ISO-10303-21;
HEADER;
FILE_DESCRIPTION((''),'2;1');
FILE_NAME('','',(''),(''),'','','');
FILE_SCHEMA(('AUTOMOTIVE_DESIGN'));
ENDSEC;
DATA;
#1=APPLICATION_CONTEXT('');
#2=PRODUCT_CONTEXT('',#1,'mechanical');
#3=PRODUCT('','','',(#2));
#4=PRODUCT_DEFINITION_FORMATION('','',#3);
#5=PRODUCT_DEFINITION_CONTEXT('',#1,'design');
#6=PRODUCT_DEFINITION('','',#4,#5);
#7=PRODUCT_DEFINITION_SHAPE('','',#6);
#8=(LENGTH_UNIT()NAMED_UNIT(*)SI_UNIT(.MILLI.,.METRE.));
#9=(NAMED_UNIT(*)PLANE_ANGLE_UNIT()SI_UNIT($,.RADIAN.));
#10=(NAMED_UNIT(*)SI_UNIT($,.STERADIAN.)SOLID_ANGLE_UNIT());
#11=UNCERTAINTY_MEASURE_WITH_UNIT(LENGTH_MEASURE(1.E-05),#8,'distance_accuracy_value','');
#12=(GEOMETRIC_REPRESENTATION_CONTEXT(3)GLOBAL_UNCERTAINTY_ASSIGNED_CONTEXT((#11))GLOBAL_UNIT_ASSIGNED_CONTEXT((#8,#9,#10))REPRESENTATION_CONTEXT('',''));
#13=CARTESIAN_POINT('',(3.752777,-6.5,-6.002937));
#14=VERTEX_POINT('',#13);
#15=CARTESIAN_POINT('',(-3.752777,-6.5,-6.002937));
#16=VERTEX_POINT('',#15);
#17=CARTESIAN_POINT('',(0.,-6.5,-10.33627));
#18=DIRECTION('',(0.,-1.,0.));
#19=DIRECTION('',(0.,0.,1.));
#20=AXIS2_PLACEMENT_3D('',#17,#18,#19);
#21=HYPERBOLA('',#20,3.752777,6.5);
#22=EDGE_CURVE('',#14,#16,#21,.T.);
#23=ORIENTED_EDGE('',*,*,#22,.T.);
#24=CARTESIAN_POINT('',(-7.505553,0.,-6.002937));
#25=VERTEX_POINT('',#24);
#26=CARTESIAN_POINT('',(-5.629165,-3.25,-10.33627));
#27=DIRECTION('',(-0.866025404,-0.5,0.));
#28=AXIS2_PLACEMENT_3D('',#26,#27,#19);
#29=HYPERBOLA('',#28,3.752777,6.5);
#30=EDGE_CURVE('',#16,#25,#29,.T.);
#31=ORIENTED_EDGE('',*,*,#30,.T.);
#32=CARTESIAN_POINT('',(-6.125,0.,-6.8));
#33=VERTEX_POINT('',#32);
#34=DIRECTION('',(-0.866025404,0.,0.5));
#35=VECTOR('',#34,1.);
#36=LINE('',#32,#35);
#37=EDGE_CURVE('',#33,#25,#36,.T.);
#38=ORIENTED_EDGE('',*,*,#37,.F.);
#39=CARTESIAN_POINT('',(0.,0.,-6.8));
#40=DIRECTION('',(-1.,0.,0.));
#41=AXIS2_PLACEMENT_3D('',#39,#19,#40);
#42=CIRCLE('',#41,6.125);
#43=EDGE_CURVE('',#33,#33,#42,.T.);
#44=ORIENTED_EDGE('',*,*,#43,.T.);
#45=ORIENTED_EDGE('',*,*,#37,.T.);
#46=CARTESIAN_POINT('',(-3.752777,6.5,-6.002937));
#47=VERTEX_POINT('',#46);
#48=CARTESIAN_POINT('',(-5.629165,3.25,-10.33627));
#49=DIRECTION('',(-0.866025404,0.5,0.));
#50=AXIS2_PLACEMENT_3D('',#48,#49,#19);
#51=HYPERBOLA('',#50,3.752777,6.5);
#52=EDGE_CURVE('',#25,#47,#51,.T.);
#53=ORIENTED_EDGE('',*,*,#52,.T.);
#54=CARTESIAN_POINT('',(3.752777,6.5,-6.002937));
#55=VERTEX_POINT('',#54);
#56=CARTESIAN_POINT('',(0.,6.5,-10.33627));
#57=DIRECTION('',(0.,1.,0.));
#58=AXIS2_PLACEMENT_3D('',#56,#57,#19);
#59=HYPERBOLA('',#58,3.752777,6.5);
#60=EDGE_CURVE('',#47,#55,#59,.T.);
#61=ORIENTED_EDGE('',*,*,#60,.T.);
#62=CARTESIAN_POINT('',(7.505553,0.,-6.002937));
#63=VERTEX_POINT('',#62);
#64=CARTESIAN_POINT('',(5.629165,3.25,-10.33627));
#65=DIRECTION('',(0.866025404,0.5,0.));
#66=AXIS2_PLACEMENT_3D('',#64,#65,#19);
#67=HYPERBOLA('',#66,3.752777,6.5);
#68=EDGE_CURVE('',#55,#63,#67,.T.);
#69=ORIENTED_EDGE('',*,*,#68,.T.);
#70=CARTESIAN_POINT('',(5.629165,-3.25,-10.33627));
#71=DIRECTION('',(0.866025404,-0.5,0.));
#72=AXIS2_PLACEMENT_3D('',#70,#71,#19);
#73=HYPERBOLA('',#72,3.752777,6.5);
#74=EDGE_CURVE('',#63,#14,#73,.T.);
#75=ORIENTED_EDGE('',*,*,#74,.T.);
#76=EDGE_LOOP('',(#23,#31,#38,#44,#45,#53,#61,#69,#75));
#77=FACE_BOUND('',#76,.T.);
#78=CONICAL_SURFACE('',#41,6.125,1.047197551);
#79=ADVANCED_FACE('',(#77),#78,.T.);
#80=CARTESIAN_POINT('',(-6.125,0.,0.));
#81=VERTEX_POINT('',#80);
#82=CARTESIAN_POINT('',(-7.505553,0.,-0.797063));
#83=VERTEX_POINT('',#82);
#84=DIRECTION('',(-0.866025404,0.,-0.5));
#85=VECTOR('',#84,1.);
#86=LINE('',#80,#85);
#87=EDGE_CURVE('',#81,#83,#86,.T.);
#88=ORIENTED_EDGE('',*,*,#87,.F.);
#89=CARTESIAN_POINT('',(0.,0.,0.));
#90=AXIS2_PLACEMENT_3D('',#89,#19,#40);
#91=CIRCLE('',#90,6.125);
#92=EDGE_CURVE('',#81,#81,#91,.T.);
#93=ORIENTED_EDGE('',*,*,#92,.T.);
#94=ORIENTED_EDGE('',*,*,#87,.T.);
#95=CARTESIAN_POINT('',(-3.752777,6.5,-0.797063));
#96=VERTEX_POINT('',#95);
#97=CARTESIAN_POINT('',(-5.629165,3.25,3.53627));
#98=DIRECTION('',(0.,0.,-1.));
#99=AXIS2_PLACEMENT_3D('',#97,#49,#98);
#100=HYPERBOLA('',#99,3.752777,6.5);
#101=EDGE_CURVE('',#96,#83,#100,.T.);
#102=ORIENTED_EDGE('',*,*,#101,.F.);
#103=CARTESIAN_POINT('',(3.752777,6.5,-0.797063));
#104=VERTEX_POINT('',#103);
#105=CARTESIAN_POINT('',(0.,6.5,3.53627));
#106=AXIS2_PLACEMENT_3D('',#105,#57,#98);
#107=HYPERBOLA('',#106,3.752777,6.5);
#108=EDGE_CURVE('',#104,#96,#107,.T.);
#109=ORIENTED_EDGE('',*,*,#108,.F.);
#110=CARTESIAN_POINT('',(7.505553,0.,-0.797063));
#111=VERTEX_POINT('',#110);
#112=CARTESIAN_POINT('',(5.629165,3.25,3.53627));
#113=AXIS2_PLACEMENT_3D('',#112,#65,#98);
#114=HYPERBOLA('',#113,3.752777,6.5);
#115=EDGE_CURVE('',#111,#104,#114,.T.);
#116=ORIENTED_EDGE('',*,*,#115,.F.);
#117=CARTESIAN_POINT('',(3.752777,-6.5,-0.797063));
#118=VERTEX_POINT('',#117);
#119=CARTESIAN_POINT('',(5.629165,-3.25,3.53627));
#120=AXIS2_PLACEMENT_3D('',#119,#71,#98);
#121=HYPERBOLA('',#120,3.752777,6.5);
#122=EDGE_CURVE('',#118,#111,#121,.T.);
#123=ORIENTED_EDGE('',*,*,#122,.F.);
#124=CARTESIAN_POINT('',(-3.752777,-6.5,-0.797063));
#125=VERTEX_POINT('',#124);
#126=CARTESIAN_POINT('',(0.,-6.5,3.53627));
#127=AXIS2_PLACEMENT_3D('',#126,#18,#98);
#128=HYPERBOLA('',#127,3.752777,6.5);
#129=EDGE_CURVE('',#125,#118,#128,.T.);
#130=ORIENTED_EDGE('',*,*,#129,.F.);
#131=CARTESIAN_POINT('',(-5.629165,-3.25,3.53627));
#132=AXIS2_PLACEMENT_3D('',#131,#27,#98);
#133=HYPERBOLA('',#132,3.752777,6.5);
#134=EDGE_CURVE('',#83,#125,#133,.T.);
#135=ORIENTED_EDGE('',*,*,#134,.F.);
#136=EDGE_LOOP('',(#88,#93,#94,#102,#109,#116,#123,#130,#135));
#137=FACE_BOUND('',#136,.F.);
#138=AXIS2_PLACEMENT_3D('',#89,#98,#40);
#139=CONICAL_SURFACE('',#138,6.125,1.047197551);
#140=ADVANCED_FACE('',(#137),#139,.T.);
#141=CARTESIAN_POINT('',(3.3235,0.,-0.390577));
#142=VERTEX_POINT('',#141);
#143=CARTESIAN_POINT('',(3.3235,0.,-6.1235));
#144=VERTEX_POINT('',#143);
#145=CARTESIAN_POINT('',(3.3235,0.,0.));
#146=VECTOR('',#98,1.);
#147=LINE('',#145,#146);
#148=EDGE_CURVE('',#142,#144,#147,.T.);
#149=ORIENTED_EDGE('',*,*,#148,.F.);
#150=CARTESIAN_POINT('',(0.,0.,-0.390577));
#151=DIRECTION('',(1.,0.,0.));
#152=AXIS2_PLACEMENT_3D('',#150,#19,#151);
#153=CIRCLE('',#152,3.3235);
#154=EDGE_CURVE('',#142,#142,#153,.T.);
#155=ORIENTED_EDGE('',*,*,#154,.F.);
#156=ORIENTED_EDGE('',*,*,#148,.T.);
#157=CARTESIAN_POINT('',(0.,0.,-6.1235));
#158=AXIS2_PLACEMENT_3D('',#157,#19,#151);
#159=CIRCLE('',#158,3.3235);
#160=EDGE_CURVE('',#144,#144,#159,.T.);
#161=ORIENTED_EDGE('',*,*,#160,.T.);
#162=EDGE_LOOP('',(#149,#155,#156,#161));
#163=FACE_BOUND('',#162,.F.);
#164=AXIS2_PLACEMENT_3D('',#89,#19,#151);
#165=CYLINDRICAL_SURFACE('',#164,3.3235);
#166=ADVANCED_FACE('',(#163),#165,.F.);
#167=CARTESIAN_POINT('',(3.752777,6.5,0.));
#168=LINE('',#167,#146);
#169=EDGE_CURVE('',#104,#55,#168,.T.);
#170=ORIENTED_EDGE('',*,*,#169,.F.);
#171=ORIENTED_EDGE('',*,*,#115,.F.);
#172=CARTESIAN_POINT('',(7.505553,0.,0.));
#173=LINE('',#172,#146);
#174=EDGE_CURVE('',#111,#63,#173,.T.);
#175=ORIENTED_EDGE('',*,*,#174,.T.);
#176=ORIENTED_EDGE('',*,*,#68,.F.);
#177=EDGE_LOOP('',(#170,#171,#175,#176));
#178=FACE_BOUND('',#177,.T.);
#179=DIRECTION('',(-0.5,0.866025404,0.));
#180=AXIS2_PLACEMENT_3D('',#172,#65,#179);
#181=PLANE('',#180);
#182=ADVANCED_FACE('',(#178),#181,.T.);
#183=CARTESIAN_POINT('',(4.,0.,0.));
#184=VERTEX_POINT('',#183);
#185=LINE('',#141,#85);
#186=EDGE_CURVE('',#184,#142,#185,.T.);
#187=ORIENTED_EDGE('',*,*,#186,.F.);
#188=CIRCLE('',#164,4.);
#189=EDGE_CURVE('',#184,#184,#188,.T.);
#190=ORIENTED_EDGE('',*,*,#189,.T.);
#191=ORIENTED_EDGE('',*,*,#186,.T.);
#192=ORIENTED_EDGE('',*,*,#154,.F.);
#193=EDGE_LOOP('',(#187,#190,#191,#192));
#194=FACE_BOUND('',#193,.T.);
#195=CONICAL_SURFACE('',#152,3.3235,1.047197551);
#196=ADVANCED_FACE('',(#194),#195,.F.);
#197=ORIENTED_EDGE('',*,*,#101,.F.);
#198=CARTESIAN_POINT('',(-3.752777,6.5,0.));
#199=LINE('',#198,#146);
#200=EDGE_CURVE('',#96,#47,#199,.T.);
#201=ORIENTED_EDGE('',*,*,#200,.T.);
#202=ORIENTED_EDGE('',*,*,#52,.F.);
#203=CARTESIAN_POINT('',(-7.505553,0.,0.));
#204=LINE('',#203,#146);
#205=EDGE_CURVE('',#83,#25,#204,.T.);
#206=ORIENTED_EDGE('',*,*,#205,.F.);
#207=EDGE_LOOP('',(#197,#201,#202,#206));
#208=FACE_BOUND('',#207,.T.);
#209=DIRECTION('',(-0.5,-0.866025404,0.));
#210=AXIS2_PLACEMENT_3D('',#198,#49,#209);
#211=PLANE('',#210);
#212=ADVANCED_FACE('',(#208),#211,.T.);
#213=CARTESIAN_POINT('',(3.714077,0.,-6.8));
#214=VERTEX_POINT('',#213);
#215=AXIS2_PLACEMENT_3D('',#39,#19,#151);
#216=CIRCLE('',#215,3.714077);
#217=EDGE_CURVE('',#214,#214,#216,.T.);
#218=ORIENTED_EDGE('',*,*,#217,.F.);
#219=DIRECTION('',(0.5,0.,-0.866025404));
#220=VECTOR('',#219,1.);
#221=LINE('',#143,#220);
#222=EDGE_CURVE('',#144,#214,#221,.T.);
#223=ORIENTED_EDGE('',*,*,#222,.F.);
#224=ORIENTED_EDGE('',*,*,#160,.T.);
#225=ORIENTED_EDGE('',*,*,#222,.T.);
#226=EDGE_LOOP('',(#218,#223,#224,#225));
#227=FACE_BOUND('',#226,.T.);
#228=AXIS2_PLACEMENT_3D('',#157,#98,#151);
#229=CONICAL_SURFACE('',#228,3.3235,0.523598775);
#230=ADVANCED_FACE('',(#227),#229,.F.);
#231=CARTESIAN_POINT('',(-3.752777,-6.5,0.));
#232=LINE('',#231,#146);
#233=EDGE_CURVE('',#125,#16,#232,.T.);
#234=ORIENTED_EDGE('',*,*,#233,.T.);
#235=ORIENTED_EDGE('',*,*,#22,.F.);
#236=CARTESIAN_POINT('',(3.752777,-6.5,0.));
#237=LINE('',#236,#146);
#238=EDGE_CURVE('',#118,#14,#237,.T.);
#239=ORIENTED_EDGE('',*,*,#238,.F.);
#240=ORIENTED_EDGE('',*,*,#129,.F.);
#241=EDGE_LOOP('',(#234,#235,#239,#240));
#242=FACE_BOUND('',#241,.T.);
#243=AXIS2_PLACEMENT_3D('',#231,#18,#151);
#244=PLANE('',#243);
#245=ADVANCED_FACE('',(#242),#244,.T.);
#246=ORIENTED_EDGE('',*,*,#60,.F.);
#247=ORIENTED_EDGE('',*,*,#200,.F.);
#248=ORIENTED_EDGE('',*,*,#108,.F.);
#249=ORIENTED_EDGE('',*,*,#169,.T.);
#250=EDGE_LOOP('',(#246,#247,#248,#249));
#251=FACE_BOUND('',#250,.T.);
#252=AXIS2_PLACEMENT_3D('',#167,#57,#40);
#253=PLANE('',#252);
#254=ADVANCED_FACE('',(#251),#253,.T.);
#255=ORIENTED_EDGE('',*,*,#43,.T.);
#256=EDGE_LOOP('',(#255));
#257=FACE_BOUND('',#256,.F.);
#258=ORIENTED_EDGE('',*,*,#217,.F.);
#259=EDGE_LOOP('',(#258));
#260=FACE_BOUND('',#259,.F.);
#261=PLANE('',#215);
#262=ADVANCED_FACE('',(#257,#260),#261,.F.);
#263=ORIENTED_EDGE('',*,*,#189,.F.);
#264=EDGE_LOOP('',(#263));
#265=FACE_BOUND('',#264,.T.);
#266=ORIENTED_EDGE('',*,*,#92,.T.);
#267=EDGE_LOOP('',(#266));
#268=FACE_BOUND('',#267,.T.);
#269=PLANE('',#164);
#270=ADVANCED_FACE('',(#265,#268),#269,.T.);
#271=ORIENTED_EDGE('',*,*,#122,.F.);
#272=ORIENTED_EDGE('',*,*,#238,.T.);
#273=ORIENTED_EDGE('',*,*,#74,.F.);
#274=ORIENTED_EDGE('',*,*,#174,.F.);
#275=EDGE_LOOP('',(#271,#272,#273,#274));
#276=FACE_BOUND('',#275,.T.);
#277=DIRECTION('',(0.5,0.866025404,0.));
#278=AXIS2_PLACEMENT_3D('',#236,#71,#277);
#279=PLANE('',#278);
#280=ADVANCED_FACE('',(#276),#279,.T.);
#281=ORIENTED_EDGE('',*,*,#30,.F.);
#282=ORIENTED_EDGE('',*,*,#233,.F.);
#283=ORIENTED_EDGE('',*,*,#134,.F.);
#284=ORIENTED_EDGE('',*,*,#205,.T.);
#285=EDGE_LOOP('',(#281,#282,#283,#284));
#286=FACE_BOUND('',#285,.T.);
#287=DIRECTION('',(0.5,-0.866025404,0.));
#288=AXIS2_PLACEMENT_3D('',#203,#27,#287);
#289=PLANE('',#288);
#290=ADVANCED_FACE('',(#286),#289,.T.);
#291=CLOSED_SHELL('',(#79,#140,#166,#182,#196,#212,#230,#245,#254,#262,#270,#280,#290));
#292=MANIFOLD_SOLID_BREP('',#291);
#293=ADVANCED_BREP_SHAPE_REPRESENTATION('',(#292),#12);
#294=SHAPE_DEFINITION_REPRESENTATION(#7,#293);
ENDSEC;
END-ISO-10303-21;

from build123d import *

# Parameters (mm, degrees)
SKETCH1_R               = 3.3235
BASENUT_DEPTH           = 6.8
ENDCHAMFER_SIZE         = 0.6765
ENDCHAMFER_SIZE2        = 0.390577457
ENDCHAMFER_PART_2_SIZE  = 0.6765
ENDCHAMFER_PART_2_SIZE2 = 0.390577457


with BuildPart() as part:
    # Sketch1 → BaseNut (new body)
    with BuildSketch(Plane.XY):
        Polygon((7.505553499, 0), (3.75277675, 6.5), (-3.75277675, 6.5), (-7.505553499, 0), (-3.75277675, -6.5), (3.75277675, -6.5), align=None)
        Circle(SKETCH1_R, mode=Mode.SUBTRACT)
    extrude(amount=-BASENUT_DEPTH)

    # Sketch2 → Double-Chamfer (revolve, cut)
    with BuildSketch(Plane(origin=(0, 0, 0), x_dir=(1, 0, 0), z_dir=(0, 1, 0))):
        Polygon((-7.505553499, 6.8), (-6.125, 6.8), (-7.505553499, 6.002937065), align=None)
        Polygon((-7.505553499, 0.797062935), (-7.505553499, 0), (-6.125, 0), align=None)
    revolve(axis=Axis((0, 0, -3.375940562), (0, 0, 1)), mode=Mode.SUBTRACT)

    # EndChamfer
    endchamfer_edges = [part.edges().sort_by_distance(p)[0] for p in [
        (-3.3235, 0, -6.8),
    ]]
    endchamfer_side = [part.faces().sort_by_distance(p)[0] for p in [
        (-3.3235, 0, -3.4),
    ]]
    chamfer(endchamfer_edges, length=ENDCHAMFER_SIZE, length2=ENDCHAMFER_SIZE2, reference=endchamfer_side[0])

    # EndChamfer part 2
    endchamfer_part_2_edges = [part.edges().sort_by_distance(p)[0] for p in [
        (-3.3235, 0, 0),
    ]]
    endchamfer_part_2_side = [part.faces().sort_by_distance(p)[0] for p in [
        (5.951758839, 0, 0),
    ]]
    chamfer(endchamfer_part_2_edges, length=ENDCHAMFER_PART_2_SIZE, length2=ENDCHAMFER_PART_2_SIZE2, reference=endchamfer_part_2_side[0])


solid = part.part
